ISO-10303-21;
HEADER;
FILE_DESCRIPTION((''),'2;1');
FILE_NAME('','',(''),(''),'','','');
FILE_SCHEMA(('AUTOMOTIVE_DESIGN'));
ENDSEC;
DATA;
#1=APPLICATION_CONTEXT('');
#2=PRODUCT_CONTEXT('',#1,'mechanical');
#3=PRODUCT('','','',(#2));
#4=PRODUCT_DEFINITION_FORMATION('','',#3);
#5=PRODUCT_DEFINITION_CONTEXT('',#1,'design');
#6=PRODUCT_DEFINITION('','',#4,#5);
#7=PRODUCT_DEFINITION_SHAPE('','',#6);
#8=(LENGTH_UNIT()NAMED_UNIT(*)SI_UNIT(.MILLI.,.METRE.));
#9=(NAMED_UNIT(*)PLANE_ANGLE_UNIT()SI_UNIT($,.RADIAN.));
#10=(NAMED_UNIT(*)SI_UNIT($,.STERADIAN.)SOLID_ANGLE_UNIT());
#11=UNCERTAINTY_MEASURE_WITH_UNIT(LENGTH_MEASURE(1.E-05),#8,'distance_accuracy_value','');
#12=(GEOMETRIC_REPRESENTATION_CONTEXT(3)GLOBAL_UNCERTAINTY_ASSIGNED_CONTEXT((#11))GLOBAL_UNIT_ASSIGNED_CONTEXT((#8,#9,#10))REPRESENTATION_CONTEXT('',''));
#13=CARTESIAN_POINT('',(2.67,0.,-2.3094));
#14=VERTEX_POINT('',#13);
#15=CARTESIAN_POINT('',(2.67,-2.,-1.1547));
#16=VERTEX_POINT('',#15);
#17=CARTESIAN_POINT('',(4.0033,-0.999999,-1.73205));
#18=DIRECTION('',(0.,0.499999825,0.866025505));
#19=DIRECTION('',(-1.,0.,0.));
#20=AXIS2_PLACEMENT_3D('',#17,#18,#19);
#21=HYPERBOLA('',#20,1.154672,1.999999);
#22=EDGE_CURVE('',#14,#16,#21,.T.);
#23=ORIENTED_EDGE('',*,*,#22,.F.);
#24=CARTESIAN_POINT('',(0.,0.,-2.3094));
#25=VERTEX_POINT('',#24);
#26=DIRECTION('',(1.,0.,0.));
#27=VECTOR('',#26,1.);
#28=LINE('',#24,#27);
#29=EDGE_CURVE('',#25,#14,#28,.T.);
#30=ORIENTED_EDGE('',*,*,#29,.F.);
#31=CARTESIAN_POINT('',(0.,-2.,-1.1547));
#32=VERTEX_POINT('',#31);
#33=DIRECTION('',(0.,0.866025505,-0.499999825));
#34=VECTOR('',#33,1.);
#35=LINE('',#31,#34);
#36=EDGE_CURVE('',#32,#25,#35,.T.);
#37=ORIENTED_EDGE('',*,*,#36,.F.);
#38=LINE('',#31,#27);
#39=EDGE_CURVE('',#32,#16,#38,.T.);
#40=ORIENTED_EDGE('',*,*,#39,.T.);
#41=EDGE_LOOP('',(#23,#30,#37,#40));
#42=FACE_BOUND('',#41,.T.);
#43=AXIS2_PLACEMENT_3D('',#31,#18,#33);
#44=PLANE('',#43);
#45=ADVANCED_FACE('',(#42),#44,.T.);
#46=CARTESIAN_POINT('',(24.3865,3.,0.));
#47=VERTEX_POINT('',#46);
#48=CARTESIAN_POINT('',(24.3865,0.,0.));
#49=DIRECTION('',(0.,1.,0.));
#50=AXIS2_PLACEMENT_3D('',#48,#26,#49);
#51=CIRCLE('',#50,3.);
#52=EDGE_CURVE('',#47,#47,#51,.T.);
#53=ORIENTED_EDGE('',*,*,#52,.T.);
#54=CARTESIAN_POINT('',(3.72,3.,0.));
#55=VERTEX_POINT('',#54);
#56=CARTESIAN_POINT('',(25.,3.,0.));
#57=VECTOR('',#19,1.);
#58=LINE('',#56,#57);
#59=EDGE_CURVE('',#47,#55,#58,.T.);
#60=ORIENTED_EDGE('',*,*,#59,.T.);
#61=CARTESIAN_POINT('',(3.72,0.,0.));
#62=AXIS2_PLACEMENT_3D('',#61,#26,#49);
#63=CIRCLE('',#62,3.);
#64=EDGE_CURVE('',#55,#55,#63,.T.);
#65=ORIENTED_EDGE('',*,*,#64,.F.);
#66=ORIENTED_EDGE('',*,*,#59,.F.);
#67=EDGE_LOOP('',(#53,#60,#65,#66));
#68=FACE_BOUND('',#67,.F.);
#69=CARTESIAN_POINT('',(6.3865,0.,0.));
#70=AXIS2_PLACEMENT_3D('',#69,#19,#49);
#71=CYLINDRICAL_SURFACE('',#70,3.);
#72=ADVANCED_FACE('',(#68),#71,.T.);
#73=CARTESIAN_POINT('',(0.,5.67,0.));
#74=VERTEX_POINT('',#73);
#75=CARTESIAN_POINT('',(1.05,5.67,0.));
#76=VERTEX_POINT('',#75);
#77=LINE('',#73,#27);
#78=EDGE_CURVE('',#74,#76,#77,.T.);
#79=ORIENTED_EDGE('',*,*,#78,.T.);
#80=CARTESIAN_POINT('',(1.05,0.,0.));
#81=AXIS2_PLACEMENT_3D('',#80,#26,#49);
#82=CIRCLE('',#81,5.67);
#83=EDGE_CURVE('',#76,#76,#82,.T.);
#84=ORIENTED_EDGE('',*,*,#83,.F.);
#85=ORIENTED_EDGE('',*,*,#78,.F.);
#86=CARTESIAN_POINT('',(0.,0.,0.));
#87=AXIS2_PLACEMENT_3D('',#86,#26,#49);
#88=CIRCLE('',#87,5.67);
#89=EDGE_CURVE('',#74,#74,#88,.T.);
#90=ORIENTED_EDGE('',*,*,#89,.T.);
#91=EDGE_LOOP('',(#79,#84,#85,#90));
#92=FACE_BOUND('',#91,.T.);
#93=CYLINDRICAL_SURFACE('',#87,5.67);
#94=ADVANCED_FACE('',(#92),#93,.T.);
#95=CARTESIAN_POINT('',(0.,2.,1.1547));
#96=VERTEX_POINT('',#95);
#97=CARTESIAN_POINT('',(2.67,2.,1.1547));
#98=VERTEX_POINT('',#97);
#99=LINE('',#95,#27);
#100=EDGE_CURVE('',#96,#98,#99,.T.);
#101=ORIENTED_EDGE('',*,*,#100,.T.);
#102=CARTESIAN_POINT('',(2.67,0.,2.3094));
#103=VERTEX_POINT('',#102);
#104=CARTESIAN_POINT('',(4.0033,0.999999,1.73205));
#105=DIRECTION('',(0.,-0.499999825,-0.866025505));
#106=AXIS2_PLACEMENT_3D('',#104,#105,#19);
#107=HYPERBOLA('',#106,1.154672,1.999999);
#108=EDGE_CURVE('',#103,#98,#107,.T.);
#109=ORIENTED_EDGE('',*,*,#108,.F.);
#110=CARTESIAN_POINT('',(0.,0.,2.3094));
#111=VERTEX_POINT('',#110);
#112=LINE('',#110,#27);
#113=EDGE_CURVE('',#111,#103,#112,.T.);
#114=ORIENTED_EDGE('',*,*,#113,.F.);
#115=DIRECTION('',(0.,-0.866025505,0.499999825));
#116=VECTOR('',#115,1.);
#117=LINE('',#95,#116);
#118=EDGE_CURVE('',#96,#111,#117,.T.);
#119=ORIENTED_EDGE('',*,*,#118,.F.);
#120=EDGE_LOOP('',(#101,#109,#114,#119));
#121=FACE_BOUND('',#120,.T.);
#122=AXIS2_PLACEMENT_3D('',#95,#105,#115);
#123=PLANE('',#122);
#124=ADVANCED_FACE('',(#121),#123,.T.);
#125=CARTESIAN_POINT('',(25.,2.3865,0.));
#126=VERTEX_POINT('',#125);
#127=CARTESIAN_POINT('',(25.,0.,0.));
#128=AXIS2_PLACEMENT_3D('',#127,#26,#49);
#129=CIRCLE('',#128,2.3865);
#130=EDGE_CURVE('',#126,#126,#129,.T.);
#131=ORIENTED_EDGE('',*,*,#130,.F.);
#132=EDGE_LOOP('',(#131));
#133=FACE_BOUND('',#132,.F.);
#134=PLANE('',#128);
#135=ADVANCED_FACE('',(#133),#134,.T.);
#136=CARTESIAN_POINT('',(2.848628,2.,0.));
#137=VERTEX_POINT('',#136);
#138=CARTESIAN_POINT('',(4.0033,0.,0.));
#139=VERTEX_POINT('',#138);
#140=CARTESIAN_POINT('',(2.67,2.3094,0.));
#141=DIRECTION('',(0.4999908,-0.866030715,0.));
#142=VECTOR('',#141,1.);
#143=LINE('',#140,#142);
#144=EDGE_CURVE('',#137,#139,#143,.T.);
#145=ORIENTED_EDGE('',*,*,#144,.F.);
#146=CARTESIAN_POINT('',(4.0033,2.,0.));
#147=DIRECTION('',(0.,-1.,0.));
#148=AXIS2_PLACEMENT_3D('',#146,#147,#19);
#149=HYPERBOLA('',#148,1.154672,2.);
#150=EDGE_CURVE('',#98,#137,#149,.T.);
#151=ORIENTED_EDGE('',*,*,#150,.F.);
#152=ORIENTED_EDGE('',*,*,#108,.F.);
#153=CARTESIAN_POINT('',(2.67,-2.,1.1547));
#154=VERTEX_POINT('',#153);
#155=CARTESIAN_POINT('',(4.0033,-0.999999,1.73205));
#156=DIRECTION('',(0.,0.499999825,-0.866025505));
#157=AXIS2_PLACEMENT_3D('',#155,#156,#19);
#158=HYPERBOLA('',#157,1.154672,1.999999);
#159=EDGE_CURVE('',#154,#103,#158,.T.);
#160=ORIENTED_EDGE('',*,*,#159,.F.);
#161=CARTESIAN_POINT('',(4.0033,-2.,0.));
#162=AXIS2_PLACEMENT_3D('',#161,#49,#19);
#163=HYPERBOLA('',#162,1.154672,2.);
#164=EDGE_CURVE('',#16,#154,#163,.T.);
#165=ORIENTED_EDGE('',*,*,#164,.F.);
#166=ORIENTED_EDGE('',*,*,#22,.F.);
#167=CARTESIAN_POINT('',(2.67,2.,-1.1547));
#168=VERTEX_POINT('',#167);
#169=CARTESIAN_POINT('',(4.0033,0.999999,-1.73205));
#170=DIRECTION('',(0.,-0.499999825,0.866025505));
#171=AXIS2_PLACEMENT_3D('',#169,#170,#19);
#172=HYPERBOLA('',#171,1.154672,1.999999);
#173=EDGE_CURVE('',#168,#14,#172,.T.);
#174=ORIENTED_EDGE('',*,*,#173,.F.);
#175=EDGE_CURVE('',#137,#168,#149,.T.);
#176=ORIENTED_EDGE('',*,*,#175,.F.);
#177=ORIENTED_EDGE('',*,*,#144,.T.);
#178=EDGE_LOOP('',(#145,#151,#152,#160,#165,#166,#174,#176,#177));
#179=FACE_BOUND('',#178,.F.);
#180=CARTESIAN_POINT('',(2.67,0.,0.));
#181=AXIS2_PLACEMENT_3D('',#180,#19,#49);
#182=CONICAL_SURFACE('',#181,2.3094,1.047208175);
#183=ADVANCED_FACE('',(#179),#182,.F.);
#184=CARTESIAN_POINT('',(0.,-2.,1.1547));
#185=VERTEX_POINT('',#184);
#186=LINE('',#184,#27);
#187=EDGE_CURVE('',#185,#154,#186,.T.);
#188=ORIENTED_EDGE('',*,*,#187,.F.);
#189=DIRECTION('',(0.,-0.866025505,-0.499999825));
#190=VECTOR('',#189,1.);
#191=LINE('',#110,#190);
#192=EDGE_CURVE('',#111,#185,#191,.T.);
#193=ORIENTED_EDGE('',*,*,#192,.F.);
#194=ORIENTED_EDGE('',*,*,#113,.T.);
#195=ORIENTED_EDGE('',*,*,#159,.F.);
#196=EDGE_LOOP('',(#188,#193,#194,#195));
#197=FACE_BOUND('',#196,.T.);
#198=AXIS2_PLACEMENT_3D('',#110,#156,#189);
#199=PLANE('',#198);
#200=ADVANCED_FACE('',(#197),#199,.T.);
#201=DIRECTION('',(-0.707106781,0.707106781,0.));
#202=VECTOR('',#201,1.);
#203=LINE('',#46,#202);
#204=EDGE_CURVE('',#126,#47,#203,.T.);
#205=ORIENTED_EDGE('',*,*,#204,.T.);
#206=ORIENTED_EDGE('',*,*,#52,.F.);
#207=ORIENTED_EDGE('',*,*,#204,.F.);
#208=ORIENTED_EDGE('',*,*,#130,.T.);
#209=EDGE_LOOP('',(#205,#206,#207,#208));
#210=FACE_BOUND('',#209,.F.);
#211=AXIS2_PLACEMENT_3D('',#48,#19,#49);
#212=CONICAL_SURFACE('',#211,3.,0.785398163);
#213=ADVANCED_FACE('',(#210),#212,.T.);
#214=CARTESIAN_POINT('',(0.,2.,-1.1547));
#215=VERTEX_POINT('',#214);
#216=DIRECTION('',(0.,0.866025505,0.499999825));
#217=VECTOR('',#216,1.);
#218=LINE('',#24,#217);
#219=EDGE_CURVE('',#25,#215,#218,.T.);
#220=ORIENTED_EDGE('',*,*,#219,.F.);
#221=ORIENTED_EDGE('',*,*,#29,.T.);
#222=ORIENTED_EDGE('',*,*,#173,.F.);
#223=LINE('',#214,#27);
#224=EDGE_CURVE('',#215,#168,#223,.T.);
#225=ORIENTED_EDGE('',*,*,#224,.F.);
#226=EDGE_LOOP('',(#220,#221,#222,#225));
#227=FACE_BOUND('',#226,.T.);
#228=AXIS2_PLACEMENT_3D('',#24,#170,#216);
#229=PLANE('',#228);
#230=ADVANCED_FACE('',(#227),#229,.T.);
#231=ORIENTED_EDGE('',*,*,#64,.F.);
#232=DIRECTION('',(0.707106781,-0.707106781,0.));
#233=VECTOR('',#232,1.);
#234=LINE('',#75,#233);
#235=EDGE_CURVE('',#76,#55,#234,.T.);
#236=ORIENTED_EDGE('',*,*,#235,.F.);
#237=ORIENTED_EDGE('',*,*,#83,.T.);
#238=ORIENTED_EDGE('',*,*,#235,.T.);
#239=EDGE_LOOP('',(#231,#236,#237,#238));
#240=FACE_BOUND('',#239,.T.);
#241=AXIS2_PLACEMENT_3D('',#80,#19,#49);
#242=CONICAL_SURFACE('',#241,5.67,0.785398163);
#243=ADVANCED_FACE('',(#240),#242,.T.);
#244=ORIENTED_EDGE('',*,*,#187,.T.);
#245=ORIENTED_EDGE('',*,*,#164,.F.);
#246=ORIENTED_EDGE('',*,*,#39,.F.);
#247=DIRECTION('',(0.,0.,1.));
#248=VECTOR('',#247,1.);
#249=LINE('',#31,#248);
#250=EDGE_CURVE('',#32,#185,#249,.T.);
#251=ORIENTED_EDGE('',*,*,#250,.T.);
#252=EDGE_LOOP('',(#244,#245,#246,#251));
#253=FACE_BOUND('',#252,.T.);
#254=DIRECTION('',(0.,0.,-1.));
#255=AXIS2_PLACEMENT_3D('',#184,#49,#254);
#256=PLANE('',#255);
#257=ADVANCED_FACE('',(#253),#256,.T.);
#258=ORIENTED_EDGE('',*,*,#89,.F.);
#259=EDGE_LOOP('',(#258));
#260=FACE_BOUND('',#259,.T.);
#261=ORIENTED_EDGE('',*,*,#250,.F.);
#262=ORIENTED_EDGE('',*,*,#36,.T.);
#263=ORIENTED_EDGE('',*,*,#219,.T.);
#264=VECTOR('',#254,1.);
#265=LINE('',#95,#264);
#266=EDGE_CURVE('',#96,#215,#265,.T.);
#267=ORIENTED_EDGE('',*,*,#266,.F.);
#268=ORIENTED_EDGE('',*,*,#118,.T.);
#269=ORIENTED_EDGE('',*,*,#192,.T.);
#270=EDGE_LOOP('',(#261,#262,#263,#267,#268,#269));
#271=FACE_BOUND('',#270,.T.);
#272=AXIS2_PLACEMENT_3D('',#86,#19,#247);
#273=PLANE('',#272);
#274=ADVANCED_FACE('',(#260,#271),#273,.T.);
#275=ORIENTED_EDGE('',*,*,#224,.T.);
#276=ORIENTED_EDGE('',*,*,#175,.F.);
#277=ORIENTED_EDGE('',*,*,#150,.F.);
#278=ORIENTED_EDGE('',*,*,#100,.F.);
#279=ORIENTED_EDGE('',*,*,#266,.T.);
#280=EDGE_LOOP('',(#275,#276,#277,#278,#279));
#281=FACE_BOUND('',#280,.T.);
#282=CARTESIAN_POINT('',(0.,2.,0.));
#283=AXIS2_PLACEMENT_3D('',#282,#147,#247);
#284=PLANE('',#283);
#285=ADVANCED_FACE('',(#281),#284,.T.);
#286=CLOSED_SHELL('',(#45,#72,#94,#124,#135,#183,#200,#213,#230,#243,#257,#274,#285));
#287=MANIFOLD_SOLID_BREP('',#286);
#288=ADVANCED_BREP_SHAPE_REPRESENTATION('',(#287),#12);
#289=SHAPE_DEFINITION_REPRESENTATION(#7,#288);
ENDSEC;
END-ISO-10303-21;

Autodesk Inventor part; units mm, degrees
ref_plane "YZ Plane" through (0, 0, 0) normal (1, 0, 0) x (0, 1, 0)
ref_plane "XZ Plane" through (0, 0, 0) normal (0, 1, 0) x (-1, 0, 0)
sketch "Sketch1" plane through (0, 0, 0) normal (0, 0, 1) x (1, 0, 0)
  line L0 (25, 0) -> (25, 3)
  line L1 (25, 3) -> (7, 3)
  line L2 (7, 3) -> (6.3865, 3)
  line L3 (0, 5.67) -> (0, 2.3094)
  line L4 (0, 2.3094) -> (2.67, 2.3094)
  line L5 (2.67, 2.3094) -> (4.0033, 0)
  line L6 (4.0033, 0) -> (25, 0)
  line L7 (0, 5.67) -> (1.05, 5.67)
  line L8 (1.05, 5.67) -> (3.72, 3)
  line L9 (6.3865, 3) -> (3.72, 3)
  line L10 (7, 3) -> (3.72, 3) construction
  line L11 (3.72, 3) -> (3.72, 3)
  line L12 (-5, 0) -> (30, 0) projected
  line L13 (0, -1.134) -> (0, 6.804) projected
  dimension "d0" = 25
  dimension "d1" = 18
  dimension "d2" = 2.67
  dimension "d3" = 6
  dimension "d6" = 3.72
  dimension "d7" = 45
  dimension "d8" = 4.6188
  dimension "d9" = 60
  dimension "d10" = 11.34
  dimension "d11" = 6
  dimension "d12" = 0.6135
revolve "Body" add sketch "Sketch1" angle 360 about axis through (4.0033, 0, 0) along (1, 0, 0) contours L6 L5 L4 L3 L7 L8 L9 L2 L1 L0
sketch "Sketch2" plane through (0, 0, 0) normal (-1, 0, 0) x (0, 0, 1)
  circle A0 centre (0, 0) radius 2.3094 projected
  line L0 (0, -7.938) -> (0, 7.938) projected
  line L1 (-7.938, 0) -> (7.938, 0) projected
  line L2 (2.3094, 0) -> (1.1547, -2)
  line L3 (1.1547, -2) -> (-1.1547, -2)
  line L4 (-1.1547, -2) -> (-2.3094, 0)
  line L5 (-2.3094, 0) -> (-1.1547, 2)
  line L6 (-1.1547, 2) -> (1.1547, 2)
  line L7 (1.1547, 2) -> (2.3094, 0)
  point P0 (0, 2.3094)
extrude "Slot" add sketch "Sketch2" against normal up to next contours L7 A0 | A0 L2 | L6 L0 A0 | A0 L0 L3 | L0 L6 A0 | A0 L3 L0 | L4 A0 | A0 L5
thread "Thread" size "M6x1" class "6g" standard "ISO Metric profile" length 18
chamfer "Chamfer1" distance 0.6135 distance2 0.6135 1 edges at (25, -3, 0) measured on face at (25, -0.1411, -0.823)
ref_plane "Work Plane1" through (104.775, 0, 0) normal (0, 0, -1) x (1, 0, 0)
equation "\"d15\" = GEL"
equation "\"d17\" = -0.5 * SPD + 0.5 * GD"
equation "\"d18\" = GUL"
equation "\"d0\" = NLG"
equation "\"d1\" = GEL"
equation "\"d2\" = INTI"
equation "\"d3\" = GD"
equation "\"d6\" = KOH"
equation "\"d7\" = 0.5 * SEWI"
equation "\"d8\" = 1.1547 * SW"
equation "\"d10\" = KOD"
equation "\"d11\" = BDM"
equation "\"d12\" = GAL"
equation "\"NLG\" = 25"
equation "\"INTI\" = 2.67"
equation "\"GEL\" = 18"
equation "\"GAL\" = 0.61345 * PTC"
equation "\"KOH\" = 3.72"
equation "\"KOD\" = 11.34"
equation "\"GUL\" = 0.61345 * PTC"
equation "\"SPD\" = NND - 1.2269 * PTC"
equation "\"BDM\" = NND"
equation "\"GD\" = NND"
equation "\"SEWI\" = 90deg"
equation "\"SW\" = 4"
equation "\"TOA\" = 30deg"
equation "\"GD1\" = THREADDIA - 1.2269 * PTC"
equation "\"EPV\" = 6.72"
equation "\"THREADDIA\" = 6"
equation "\"PTC\" = 1"
equation "\"NND\" = 6"
equation "\"E0\" = 4.62"
equation "\"THREADDESC\" = 1.2345"
properties part number "ISO 10642 - M6 x  25" material "Steel"
